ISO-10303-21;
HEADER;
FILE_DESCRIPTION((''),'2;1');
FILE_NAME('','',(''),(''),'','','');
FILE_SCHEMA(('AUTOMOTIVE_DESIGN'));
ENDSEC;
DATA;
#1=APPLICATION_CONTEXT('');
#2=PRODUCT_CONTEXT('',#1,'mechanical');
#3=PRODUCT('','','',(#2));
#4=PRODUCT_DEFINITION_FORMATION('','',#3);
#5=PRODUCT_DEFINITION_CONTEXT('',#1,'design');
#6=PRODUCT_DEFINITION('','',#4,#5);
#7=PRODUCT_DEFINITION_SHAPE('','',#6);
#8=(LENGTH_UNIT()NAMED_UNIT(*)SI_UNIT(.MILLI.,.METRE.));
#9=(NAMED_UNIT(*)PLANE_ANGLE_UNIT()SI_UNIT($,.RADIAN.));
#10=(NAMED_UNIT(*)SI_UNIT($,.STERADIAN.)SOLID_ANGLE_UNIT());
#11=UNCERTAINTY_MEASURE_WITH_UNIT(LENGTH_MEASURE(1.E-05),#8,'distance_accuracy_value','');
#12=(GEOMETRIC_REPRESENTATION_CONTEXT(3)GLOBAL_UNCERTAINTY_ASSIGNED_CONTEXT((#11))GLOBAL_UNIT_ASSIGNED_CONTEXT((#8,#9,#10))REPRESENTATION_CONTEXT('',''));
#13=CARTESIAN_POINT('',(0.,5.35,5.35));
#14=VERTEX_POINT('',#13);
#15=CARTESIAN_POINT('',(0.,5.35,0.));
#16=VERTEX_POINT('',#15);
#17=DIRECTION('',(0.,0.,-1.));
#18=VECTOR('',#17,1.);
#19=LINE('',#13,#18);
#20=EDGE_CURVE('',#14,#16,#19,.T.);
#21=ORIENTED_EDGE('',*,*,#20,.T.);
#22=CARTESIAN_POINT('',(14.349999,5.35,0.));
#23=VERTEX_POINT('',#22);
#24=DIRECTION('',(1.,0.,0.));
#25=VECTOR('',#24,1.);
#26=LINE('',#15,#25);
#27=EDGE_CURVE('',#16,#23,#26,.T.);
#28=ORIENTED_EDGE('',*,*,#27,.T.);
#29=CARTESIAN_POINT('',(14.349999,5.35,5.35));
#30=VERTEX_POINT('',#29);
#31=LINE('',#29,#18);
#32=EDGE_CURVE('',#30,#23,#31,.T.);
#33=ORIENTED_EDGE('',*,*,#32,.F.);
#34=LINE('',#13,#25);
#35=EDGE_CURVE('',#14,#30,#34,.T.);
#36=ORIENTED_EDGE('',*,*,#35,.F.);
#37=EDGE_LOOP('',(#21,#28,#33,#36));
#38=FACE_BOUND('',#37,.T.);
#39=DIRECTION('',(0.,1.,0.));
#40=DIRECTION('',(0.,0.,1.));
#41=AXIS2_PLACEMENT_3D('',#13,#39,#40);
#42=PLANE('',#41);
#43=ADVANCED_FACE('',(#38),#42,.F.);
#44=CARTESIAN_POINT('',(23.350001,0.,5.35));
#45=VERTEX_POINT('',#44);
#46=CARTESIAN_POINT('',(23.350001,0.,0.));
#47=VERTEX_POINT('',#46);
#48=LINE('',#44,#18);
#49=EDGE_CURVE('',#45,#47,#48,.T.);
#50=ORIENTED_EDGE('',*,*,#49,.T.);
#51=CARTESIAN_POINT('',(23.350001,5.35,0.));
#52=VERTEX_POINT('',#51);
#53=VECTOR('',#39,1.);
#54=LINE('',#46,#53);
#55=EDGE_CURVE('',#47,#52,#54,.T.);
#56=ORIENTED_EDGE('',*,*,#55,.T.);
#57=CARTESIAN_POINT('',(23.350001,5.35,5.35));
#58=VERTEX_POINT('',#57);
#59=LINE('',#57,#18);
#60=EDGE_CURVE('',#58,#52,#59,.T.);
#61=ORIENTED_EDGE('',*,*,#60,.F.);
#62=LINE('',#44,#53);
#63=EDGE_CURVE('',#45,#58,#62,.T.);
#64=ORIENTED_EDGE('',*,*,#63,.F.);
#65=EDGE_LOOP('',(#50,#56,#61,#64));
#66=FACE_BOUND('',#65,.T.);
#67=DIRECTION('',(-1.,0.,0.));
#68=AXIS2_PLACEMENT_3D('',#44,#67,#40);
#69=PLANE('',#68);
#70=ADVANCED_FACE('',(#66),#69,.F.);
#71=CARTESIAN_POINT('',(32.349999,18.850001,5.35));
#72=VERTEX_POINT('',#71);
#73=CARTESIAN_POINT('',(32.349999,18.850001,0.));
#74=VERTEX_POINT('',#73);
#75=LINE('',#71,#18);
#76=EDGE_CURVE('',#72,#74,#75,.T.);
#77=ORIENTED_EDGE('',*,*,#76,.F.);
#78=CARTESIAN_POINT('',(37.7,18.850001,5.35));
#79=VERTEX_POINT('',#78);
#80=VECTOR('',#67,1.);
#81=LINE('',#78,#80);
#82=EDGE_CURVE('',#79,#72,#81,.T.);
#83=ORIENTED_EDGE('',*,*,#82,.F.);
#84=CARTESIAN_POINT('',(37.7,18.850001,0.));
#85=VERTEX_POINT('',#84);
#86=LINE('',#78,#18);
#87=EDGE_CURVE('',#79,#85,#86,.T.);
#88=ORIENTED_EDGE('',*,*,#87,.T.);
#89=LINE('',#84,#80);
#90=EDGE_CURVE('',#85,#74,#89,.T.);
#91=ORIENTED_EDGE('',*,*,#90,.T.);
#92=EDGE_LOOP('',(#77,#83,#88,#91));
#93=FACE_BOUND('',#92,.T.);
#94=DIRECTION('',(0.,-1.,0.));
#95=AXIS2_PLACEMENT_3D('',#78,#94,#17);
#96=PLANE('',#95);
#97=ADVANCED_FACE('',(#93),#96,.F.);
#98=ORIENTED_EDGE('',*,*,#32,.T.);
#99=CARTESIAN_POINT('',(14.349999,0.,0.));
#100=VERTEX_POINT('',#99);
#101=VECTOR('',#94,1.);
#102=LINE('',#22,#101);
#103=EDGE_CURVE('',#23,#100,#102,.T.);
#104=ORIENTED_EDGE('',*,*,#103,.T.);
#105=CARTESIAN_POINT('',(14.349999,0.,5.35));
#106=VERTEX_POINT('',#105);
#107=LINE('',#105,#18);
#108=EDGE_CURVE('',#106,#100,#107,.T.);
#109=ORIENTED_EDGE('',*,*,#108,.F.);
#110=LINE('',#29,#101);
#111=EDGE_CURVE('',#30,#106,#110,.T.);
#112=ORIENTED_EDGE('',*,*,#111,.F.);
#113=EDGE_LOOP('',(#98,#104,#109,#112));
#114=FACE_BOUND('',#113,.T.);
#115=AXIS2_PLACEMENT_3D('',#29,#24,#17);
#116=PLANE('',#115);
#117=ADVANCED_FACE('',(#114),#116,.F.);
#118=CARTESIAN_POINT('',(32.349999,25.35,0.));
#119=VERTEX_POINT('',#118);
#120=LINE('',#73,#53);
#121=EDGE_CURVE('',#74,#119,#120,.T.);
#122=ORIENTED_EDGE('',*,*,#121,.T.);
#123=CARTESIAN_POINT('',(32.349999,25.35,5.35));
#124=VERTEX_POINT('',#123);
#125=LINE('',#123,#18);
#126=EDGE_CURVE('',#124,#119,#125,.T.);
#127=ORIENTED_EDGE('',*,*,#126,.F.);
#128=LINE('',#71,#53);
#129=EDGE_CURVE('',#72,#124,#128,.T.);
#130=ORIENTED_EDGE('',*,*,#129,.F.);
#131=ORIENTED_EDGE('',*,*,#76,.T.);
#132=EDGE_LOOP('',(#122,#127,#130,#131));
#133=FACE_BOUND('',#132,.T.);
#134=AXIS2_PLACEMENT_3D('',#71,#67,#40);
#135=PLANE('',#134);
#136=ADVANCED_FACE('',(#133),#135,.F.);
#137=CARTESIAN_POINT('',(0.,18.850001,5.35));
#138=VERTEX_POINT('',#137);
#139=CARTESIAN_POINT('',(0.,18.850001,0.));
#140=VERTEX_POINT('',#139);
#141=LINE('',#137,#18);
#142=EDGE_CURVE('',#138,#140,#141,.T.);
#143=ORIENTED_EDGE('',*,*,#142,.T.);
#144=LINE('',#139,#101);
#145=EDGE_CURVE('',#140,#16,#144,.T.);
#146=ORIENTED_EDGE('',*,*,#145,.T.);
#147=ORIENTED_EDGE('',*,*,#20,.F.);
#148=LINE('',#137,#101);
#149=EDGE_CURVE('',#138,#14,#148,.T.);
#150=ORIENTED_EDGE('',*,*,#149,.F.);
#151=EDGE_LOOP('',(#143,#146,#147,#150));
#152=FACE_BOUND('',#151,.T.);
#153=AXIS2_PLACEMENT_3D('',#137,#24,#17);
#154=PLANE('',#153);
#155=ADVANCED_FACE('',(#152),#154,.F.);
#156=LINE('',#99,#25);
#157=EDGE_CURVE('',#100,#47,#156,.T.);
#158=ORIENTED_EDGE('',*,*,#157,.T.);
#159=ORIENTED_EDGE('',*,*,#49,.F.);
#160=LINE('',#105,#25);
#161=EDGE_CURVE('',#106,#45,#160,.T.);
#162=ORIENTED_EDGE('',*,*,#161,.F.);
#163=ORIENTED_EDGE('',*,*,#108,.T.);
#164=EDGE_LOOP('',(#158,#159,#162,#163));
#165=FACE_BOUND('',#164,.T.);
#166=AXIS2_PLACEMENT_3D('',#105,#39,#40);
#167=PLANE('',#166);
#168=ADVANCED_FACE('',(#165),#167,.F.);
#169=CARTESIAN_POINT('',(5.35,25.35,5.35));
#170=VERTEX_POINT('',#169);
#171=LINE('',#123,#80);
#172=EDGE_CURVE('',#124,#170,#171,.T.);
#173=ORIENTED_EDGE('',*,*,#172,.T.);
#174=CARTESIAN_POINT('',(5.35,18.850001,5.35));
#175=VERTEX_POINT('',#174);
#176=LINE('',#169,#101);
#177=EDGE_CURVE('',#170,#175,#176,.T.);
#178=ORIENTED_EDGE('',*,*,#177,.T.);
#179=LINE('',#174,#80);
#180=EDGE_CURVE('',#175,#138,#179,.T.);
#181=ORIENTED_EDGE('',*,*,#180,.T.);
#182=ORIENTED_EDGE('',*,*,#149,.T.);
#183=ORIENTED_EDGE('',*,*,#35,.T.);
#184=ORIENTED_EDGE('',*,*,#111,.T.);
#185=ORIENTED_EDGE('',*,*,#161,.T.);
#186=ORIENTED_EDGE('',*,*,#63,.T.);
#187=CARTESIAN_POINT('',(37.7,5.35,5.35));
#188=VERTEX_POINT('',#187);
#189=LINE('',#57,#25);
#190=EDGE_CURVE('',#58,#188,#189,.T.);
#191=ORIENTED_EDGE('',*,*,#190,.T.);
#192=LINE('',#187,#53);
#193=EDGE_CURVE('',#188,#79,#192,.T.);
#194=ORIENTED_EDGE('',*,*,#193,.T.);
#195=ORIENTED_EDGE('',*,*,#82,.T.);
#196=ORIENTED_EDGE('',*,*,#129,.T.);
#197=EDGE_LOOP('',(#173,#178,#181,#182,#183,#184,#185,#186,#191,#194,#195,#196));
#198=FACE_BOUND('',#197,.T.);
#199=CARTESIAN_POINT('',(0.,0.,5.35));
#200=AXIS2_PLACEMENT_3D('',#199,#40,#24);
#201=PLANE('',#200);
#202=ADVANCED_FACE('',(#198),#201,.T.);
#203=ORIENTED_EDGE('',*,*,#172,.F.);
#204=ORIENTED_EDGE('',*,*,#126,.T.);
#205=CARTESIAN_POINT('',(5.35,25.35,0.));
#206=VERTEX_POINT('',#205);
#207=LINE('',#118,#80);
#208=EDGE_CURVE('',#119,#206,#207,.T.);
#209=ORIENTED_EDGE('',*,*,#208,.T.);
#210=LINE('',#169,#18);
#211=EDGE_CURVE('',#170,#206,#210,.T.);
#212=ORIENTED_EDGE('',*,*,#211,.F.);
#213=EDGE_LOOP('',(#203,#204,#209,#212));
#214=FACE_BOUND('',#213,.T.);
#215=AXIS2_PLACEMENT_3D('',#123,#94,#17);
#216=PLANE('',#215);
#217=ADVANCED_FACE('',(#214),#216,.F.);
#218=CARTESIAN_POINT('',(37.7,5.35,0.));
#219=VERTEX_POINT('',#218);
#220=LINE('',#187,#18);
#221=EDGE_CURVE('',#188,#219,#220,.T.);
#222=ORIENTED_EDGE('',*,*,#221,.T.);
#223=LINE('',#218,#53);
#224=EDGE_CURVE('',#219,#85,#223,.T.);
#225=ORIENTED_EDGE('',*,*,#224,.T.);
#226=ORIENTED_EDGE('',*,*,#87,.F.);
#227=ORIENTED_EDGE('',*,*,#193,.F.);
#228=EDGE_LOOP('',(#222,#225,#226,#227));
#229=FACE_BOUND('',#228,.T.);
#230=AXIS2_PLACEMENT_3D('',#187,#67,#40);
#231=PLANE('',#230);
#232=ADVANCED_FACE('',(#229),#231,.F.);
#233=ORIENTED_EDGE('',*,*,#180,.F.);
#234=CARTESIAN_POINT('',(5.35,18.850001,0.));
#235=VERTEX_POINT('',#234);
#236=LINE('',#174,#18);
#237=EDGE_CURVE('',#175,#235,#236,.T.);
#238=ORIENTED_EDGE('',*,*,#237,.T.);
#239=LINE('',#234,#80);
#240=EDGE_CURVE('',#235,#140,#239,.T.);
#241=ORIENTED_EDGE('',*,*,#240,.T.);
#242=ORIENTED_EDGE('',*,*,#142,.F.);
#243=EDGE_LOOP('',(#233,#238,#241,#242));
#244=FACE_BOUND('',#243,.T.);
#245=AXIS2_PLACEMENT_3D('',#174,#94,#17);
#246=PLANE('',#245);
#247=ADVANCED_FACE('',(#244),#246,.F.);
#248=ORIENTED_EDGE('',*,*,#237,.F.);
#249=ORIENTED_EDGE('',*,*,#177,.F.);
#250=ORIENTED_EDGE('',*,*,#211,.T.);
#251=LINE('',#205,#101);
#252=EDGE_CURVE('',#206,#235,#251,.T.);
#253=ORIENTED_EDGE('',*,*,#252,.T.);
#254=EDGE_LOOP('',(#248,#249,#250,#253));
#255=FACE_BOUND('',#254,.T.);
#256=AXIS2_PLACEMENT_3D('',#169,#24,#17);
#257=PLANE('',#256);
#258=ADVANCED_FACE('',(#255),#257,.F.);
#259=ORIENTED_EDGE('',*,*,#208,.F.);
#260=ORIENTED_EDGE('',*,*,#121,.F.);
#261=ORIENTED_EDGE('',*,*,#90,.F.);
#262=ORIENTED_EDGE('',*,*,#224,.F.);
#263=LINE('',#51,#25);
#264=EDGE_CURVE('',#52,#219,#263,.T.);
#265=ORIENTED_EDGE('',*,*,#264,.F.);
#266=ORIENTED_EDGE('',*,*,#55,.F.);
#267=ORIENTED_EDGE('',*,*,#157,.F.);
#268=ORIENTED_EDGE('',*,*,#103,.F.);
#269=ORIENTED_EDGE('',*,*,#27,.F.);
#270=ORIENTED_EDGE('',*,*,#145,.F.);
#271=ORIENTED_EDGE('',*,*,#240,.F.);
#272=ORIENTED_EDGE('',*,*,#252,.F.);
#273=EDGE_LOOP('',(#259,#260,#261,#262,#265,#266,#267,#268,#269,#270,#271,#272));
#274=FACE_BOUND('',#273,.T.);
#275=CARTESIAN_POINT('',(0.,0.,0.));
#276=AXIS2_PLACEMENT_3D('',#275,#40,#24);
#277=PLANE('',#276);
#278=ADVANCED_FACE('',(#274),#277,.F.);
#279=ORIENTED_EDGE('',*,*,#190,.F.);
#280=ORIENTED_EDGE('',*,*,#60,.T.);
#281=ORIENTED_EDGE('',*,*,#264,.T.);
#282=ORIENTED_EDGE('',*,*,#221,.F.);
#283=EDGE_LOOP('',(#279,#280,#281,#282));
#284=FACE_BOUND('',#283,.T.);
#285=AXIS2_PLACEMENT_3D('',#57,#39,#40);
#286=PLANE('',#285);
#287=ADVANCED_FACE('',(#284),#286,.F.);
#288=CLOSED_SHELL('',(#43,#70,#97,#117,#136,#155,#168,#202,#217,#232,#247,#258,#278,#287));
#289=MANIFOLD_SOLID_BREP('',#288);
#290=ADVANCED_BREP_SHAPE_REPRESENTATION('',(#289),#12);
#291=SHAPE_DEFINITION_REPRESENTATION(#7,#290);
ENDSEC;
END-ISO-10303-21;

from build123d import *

# Parameters (mm, degrees)
BOSS_EXTRUDE1_DEPTH = 5.35


with BuildPart() as part:
    # Model → Boss-Extrude1 (new body)
    with BuildSketch(Plane.XY):
        Polygon((32.349998597, 25.349999778), (5.350000225, 25.349999778), (5.350000225, 18.850000575), (0, 18.850000575), (0, 5.350000225), (14.349999372, 5.350000225), (14.349999372, 0), (23.350000847, 0), (23.350000847, 5.350000225), (37.699999753, 5.350000225), (37.699999753, 18.850000575), (32.349998597, 18.850000575), align=None)
    extrude(amount=BOSS_EXTRUDE1_DEPTH)


solid = part.part
